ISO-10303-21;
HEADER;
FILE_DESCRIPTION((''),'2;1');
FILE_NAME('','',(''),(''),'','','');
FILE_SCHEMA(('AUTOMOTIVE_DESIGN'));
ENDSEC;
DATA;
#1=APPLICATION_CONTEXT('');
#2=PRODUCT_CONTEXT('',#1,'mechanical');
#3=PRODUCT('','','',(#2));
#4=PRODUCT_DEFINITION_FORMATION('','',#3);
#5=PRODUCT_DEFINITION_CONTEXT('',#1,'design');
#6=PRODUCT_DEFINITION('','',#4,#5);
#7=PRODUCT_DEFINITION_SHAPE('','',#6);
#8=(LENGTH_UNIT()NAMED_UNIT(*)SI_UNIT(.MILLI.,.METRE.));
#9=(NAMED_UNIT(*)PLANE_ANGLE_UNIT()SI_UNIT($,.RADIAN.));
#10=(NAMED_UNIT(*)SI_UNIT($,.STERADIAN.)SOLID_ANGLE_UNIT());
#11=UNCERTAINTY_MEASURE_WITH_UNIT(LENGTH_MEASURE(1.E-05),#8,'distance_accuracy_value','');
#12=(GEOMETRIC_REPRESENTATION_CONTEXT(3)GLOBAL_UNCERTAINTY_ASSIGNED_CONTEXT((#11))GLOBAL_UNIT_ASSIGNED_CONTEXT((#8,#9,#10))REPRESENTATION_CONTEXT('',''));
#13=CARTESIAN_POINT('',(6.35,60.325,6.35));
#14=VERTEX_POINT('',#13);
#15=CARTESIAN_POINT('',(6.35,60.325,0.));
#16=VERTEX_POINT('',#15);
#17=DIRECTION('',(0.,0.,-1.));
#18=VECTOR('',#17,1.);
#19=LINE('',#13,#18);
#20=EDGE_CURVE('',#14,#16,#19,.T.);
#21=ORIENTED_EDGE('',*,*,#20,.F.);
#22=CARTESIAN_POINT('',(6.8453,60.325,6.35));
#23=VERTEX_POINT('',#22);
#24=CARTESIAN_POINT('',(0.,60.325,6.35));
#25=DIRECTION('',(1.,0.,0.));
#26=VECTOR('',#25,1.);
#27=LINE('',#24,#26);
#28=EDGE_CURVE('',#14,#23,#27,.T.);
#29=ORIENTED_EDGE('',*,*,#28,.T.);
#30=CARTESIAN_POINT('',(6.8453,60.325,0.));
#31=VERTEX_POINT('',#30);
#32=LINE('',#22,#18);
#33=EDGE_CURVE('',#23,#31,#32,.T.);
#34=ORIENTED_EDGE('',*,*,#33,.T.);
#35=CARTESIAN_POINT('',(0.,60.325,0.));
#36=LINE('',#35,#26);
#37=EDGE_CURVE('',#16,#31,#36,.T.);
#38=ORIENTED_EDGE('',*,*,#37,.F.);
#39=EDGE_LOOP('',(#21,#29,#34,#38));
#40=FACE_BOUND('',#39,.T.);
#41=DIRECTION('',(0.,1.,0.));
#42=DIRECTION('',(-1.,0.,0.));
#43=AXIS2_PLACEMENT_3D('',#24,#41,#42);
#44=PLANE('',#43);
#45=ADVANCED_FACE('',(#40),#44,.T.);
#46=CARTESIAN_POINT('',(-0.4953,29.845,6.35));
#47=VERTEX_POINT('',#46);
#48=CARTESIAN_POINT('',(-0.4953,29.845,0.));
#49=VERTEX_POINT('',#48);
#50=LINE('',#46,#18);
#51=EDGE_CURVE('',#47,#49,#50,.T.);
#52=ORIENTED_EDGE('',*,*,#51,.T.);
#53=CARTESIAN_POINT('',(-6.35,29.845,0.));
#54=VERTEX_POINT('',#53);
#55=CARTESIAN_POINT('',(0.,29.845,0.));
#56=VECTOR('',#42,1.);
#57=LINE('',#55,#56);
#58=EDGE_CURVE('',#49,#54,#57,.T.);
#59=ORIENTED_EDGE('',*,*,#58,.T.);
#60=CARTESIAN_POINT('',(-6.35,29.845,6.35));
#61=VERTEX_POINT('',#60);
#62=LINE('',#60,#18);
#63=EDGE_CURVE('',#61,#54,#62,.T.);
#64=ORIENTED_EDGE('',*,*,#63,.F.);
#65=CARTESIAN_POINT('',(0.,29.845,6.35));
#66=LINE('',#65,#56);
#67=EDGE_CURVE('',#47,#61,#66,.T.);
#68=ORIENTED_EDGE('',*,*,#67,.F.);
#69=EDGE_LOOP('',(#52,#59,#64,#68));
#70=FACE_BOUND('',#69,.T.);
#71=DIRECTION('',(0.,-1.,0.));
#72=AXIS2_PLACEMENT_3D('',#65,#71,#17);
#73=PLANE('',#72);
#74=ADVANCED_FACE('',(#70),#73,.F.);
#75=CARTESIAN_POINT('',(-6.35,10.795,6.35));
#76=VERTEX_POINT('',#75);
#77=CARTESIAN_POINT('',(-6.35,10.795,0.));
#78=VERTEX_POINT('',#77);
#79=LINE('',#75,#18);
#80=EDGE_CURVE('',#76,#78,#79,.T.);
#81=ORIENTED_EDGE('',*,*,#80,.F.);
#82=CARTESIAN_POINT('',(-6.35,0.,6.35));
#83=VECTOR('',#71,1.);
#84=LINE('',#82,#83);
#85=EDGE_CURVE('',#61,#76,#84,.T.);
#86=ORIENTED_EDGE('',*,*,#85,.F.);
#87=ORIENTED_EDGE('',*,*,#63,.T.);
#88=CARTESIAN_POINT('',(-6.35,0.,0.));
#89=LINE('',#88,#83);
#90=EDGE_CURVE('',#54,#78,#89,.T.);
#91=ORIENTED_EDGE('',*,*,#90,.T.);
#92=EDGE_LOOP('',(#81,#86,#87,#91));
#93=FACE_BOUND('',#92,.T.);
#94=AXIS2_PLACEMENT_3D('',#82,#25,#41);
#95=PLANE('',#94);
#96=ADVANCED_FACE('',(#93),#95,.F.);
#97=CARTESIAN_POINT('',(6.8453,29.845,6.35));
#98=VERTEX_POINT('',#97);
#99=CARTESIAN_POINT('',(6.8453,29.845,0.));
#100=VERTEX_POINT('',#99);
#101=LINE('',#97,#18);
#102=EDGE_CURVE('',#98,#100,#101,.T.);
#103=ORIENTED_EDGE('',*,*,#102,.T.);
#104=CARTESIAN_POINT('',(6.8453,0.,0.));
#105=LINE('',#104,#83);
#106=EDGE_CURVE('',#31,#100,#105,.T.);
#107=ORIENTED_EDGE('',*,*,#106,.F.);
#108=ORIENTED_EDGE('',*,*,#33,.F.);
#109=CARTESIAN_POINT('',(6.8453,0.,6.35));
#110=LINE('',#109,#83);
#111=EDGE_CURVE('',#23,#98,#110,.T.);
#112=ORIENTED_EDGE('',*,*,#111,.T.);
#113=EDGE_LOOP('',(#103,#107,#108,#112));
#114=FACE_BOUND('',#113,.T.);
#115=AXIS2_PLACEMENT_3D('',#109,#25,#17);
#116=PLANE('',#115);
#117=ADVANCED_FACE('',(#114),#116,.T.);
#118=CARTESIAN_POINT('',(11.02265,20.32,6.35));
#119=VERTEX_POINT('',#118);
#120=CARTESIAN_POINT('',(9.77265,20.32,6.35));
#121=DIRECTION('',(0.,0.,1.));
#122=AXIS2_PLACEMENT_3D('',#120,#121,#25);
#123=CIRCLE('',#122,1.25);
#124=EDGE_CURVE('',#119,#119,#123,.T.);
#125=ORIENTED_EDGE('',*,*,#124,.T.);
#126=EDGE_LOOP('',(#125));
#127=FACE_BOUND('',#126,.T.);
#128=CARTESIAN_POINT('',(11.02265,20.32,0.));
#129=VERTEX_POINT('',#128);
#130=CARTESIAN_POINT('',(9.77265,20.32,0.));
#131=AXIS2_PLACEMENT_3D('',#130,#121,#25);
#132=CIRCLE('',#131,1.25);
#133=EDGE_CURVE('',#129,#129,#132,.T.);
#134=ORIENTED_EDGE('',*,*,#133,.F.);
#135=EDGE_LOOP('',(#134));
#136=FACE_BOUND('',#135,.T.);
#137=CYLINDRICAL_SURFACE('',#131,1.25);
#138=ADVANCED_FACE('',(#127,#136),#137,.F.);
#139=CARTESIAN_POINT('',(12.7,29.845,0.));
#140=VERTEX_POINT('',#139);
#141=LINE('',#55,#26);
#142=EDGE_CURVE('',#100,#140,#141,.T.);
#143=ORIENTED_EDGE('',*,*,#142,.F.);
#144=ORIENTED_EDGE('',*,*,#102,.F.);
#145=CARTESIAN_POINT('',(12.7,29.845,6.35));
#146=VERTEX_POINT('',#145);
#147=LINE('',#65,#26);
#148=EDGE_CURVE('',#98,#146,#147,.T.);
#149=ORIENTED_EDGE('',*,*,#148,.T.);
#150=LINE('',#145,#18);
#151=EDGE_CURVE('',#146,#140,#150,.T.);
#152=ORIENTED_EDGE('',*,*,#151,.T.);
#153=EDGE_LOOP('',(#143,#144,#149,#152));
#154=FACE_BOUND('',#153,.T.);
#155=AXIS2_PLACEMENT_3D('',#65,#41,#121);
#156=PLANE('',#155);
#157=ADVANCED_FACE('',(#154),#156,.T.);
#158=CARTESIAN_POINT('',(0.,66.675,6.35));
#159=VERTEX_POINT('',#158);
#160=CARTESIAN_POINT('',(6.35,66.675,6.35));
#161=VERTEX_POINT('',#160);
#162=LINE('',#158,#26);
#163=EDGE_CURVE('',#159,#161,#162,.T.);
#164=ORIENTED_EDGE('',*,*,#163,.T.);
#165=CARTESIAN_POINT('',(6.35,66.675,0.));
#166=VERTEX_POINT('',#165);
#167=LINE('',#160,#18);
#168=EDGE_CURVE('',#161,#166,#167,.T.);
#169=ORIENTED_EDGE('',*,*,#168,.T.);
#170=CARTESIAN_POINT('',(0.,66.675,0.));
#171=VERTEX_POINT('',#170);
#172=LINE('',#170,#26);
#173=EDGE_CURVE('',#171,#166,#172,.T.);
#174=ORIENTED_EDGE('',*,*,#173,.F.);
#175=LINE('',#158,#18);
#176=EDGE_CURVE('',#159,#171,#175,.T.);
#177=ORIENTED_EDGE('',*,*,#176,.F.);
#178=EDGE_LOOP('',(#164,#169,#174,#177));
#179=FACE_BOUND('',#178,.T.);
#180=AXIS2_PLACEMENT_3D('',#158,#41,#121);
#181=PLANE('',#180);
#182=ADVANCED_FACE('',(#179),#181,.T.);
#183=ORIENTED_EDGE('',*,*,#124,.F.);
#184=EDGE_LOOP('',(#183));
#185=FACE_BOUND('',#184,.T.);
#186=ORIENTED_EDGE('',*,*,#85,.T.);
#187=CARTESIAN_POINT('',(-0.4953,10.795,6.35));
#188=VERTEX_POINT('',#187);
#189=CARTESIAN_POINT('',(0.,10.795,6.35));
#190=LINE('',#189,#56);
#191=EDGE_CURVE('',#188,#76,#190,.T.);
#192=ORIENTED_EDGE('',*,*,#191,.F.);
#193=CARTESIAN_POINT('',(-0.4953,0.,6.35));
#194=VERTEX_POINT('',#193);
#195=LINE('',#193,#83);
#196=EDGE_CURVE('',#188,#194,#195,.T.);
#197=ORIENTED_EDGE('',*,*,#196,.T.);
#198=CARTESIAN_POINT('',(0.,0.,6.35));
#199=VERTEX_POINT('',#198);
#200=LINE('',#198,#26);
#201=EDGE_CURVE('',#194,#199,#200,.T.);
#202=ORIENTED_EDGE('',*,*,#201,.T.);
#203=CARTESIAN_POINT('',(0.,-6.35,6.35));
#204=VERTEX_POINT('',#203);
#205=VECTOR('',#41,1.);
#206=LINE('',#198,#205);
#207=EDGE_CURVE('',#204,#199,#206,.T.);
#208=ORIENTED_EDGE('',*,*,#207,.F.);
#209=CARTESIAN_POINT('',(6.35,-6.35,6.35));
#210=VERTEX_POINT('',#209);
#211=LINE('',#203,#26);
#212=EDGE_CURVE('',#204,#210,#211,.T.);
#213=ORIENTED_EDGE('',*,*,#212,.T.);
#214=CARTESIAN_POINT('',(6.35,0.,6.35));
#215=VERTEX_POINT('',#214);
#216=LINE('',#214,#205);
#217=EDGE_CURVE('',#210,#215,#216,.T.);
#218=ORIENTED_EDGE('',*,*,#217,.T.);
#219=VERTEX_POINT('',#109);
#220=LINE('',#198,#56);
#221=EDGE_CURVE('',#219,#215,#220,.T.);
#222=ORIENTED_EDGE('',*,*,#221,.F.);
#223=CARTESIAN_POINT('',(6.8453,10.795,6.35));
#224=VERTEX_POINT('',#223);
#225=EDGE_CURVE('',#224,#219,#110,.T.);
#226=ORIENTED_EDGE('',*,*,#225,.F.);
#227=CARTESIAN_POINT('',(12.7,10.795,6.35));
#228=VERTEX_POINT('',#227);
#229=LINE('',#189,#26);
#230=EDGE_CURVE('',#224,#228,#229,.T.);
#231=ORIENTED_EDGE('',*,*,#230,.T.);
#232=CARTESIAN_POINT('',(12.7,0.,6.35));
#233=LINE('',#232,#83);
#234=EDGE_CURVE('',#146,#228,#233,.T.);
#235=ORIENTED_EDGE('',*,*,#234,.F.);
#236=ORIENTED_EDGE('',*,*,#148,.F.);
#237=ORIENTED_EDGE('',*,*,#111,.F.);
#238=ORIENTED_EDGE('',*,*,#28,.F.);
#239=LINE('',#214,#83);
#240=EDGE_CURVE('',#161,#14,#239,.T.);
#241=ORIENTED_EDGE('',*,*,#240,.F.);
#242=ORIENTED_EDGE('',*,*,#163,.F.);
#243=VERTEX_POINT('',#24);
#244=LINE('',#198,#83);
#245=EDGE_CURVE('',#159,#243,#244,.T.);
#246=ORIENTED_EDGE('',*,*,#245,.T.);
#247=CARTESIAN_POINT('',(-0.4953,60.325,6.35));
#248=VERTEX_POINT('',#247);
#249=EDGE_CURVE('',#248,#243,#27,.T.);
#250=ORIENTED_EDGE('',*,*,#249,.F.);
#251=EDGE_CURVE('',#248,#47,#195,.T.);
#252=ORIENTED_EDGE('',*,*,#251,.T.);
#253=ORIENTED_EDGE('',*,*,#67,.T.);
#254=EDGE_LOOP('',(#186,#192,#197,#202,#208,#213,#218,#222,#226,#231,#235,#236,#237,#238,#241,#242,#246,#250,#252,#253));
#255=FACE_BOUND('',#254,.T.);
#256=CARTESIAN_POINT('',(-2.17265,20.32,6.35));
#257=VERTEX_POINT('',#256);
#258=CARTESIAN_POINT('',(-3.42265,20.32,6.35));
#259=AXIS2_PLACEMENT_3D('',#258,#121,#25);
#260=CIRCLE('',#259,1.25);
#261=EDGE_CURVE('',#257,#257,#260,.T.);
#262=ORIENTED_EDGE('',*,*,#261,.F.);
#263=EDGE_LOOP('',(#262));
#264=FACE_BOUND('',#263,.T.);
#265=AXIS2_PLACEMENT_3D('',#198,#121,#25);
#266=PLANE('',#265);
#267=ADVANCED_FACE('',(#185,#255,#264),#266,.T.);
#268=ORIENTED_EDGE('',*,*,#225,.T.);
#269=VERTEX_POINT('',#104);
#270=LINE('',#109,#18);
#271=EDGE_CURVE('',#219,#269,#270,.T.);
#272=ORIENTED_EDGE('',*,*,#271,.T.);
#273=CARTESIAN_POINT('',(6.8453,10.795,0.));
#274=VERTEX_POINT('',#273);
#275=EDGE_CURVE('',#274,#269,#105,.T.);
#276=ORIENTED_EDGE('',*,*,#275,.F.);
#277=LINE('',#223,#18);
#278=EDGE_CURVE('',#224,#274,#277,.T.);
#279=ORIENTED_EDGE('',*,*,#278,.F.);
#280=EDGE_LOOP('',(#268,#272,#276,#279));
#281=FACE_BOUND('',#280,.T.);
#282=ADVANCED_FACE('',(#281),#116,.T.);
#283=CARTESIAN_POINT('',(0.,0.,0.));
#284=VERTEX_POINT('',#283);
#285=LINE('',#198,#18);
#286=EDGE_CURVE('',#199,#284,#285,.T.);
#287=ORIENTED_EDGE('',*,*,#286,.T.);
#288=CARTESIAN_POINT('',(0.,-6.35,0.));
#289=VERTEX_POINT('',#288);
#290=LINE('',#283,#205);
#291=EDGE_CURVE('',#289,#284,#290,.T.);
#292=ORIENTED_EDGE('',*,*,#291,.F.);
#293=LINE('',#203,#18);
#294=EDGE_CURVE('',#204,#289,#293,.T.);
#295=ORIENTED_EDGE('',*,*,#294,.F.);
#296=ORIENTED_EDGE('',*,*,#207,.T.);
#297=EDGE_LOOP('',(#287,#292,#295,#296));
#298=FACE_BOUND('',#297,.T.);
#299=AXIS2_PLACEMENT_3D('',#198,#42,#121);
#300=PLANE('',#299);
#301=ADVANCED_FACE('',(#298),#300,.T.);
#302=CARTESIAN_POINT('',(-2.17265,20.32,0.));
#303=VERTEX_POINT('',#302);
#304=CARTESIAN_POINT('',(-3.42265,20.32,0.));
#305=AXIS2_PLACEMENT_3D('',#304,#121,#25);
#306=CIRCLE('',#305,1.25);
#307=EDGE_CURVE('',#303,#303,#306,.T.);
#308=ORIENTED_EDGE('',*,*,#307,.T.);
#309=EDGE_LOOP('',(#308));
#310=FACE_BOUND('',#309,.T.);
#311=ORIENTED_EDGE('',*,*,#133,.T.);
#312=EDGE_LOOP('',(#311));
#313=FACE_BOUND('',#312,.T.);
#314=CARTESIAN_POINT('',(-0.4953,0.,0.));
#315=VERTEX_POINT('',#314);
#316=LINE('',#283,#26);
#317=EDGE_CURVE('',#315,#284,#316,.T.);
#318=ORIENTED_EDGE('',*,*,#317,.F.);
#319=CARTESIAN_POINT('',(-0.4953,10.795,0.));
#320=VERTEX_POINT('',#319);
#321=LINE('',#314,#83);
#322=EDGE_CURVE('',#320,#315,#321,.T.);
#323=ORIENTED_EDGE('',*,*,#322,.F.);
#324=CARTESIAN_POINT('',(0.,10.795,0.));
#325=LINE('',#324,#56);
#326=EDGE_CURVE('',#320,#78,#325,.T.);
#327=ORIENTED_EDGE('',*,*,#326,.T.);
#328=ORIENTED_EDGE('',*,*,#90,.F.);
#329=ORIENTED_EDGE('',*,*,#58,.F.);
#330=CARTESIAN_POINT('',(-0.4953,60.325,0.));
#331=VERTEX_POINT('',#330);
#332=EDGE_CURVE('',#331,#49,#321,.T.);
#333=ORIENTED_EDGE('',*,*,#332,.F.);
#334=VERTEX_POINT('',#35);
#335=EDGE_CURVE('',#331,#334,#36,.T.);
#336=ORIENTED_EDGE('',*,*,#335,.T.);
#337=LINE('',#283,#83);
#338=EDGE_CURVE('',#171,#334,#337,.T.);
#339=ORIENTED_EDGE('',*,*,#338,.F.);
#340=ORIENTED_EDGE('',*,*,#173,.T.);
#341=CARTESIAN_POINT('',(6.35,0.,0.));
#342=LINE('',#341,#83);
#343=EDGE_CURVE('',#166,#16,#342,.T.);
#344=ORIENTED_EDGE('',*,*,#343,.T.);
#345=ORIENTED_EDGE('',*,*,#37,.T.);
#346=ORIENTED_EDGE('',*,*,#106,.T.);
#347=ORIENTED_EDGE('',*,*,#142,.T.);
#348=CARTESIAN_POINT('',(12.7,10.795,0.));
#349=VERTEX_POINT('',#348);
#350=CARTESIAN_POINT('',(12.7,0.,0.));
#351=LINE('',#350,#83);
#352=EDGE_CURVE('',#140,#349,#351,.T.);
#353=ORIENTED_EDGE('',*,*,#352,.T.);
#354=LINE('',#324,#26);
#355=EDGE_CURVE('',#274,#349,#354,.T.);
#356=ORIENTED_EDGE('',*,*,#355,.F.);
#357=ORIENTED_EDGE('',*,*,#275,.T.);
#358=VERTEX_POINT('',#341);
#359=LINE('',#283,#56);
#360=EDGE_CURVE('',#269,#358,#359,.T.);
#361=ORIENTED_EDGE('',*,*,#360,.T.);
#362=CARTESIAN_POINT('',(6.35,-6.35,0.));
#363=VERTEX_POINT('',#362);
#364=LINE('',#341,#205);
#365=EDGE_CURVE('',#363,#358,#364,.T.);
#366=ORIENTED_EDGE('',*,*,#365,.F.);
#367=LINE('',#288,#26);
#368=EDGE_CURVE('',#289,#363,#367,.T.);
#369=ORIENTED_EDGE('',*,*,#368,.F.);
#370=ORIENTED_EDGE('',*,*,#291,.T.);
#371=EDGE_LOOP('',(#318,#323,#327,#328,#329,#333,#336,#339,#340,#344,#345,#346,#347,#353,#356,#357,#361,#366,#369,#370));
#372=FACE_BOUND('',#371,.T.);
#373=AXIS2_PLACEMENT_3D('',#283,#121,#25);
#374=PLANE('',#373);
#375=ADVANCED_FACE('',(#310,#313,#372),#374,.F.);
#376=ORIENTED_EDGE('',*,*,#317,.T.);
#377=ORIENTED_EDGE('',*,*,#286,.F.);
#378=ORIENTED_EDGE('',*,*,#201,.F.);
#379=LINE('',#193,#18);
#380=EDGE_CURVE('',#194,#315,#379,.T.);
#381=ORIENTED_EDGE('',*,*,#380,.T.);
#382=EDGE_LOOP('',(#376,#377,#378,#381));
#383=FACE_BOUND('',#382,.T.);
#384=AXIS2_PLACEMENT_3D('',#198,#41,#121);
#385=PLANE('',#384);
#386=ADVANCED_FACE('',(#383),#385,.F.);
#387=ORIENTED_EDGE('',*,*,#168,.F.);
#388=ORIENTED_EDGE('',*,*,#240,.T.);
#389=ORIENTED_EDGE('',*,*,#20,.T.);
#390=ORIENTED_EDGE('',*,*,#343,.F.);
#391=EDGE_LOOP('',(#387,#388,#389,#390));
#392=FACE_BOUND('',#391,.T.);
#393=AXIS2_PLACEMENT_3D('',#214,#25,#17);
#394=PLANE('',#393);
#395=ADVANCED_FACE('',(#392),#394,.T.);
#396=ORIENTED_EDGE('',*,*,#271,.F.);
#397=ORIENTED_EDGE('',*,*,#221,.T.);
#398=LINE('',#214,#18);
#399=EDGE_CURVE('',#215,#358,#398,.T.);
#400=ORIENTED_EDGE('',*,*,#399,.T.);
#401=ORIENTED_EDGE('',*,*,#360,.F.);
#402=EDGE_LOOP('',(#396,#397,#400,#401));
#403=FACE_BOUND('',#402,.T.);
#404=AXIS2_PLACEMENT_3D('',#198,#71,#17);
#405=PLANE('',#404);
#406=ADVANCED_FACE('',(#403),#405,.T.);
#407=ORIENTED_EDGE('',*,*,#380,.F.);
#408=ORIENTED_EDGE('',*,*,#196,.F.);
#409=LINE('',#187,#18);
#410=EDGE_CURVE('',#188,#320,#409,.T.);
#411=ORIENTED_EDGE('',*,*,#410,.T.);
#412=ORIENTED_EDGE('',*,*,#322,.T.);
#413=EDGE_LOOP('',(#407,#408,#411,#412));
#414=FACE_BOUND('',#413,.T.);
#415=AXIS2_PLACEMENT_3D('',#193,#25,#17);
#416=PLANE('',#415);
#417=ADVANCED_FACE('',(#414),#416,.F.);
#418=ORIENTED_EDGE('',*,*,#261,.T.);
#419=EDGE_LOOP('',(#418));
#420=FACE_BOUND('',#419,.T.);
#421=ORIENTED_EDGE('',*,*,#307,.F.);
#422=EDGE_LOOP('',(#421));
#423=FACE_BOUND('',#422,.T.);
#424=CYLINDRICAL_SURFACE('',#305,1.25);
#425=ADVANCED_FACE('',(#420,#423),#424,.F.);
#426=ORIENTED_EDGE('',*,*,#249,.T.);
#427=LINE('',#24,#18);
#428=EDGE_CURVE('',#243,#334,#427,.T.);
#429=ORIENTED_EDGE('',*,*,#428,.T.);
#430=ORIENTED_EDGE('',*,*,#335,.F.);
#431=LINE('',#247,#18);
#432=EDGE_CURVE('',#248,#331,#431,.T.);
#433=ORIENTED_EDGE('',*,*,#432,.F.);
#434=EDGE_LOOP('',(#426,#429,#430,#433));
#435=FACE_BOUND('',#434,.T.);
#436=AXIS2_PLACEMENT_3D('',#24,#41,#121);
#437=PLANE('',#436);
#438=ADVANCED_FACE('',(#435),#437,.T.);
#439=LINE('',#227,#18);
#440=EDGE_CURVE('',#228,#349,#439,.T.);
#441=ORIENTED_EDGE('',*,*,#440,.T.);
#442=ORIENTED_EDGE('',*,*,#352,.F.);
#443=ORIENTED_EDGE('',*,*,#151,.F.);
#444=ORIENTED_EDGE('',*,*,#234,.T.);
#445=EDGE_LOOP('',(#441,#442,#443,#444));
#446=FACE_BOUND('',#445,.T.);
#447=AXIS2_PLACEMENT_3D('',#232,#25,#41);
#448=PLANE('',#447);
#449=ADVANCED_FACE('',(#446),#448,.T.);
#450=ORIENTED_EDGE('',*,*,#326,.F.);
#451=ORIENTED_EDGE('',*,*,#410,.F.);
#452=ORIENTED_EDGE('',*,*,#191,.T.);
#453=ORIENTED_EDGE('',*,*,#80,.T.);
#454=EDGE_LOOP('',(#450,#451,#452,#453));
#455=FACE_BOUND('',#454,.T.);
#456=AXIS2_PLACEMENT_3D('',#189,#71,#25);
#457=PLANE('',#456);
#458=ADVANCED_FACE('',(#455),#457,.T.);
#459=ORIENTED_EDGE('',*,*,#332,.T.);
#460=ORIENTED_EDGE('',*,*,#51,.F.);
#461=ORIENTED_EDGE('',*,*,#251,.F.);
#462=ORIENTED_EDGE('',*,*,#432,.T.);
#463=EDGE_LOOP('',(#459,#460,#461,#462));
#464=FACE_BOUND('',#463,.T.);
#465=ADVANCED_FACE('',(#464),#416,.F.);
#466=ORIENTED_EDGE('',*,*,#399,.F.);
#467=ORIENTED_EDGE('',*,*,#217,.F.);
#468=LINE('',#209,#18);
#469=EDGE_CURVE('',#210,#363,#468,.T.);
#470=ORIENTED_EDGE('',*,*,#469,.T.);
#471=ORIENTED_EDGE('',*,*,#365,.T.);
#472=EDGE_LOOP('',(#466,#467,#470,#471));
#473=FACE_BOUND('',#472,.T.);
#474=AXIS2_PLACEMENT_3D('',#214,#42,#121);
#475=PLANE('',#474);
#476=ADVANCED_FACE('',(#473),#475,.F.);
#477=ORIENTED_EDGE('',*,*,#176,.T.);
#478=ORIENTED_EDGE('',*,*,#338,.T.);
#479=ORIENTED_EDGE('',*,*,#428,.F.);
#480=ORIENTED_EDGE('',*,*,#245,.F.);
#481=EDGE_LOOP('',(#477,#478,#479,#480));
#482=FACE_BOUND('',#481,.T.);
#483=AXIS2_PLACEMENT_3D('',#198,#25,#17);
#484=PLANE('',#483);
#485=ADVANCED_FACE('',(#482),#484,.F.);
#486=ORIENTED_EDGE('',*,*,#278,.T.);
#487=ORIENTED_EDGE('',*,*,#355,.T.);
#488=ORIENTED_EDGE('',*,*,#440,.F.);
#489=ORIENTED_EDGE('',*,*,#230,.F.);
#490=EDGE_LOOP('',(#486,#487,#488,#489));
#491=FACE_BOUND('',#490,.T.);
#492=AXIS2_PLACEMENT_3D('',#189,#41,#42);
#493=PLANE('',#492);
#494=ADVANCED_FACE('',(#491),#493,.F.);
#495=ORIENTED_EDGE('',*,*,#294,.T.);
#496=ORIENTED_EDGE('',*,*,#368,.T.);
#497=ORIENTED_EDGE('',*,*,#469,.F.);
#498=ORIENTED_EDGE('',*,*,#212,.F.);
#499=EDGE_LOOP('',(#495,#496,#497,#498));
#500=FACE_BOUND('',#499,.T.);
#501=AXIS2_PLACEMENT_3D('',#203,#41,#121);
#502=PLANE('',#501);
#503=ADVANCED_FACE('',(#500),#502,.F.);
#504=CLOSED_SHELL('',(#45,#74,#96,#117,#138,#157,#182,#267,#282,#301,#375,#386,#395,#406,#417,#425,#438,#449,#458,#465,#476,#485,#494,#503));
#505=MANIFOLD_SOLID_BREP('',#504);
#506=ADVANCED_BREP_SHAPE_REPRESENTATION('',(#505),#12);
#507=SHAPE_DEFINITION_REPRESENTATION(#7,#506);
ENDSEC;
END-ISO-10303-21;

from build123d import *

# Parameters (mm, degrees)
BOSS_EXTRUDE1_DEPTH = 6.35
SKETCH2_R           = 1.25
CUT_EXTRUDE1_DEPTH  = 7.35


with BuildPart() as part:
    # Sketch1 → Boss-Extrude1 (new body)
    with BuildSketch(Plane.XY):
        Polygon((0, -6.35), (6.35, -6.35), (6.35, 0), (6.8453, 0), (6.8453, 10.795), (12.7, 10.795), (12.7, 29.845), (6.8453, 29.845), (6.8453, 60.325), (6.35, 60.325), (6.35, 66.675), (0, 66.675), (0, 60.325), (-0.4953, 60.325), (-0.4953, 29.845), (-6.35, 29.845), (-6.35, 10.795), (-0.4953, 10.795), (-0.4953, 0), (0, 0), align=None)
    extrude(amount=BOSS_EXTRUDE1_DEPTH)

    # Sketch2 → Cut-Extrude1 (cut, through all)
    with BuildSketch(Plane.XY.offset(6.35)):
        with Locations((-3.42265, 20.32)):
            Circle(SKETCH2_R)
        with Locations((9.77265, 20.32)):
            Circle(SKETCH2_R)
    extrude(amount=-CUT_EXTRUDE1_DEPTH, mode=Mode.SUBTRACT)


solid = part.part
